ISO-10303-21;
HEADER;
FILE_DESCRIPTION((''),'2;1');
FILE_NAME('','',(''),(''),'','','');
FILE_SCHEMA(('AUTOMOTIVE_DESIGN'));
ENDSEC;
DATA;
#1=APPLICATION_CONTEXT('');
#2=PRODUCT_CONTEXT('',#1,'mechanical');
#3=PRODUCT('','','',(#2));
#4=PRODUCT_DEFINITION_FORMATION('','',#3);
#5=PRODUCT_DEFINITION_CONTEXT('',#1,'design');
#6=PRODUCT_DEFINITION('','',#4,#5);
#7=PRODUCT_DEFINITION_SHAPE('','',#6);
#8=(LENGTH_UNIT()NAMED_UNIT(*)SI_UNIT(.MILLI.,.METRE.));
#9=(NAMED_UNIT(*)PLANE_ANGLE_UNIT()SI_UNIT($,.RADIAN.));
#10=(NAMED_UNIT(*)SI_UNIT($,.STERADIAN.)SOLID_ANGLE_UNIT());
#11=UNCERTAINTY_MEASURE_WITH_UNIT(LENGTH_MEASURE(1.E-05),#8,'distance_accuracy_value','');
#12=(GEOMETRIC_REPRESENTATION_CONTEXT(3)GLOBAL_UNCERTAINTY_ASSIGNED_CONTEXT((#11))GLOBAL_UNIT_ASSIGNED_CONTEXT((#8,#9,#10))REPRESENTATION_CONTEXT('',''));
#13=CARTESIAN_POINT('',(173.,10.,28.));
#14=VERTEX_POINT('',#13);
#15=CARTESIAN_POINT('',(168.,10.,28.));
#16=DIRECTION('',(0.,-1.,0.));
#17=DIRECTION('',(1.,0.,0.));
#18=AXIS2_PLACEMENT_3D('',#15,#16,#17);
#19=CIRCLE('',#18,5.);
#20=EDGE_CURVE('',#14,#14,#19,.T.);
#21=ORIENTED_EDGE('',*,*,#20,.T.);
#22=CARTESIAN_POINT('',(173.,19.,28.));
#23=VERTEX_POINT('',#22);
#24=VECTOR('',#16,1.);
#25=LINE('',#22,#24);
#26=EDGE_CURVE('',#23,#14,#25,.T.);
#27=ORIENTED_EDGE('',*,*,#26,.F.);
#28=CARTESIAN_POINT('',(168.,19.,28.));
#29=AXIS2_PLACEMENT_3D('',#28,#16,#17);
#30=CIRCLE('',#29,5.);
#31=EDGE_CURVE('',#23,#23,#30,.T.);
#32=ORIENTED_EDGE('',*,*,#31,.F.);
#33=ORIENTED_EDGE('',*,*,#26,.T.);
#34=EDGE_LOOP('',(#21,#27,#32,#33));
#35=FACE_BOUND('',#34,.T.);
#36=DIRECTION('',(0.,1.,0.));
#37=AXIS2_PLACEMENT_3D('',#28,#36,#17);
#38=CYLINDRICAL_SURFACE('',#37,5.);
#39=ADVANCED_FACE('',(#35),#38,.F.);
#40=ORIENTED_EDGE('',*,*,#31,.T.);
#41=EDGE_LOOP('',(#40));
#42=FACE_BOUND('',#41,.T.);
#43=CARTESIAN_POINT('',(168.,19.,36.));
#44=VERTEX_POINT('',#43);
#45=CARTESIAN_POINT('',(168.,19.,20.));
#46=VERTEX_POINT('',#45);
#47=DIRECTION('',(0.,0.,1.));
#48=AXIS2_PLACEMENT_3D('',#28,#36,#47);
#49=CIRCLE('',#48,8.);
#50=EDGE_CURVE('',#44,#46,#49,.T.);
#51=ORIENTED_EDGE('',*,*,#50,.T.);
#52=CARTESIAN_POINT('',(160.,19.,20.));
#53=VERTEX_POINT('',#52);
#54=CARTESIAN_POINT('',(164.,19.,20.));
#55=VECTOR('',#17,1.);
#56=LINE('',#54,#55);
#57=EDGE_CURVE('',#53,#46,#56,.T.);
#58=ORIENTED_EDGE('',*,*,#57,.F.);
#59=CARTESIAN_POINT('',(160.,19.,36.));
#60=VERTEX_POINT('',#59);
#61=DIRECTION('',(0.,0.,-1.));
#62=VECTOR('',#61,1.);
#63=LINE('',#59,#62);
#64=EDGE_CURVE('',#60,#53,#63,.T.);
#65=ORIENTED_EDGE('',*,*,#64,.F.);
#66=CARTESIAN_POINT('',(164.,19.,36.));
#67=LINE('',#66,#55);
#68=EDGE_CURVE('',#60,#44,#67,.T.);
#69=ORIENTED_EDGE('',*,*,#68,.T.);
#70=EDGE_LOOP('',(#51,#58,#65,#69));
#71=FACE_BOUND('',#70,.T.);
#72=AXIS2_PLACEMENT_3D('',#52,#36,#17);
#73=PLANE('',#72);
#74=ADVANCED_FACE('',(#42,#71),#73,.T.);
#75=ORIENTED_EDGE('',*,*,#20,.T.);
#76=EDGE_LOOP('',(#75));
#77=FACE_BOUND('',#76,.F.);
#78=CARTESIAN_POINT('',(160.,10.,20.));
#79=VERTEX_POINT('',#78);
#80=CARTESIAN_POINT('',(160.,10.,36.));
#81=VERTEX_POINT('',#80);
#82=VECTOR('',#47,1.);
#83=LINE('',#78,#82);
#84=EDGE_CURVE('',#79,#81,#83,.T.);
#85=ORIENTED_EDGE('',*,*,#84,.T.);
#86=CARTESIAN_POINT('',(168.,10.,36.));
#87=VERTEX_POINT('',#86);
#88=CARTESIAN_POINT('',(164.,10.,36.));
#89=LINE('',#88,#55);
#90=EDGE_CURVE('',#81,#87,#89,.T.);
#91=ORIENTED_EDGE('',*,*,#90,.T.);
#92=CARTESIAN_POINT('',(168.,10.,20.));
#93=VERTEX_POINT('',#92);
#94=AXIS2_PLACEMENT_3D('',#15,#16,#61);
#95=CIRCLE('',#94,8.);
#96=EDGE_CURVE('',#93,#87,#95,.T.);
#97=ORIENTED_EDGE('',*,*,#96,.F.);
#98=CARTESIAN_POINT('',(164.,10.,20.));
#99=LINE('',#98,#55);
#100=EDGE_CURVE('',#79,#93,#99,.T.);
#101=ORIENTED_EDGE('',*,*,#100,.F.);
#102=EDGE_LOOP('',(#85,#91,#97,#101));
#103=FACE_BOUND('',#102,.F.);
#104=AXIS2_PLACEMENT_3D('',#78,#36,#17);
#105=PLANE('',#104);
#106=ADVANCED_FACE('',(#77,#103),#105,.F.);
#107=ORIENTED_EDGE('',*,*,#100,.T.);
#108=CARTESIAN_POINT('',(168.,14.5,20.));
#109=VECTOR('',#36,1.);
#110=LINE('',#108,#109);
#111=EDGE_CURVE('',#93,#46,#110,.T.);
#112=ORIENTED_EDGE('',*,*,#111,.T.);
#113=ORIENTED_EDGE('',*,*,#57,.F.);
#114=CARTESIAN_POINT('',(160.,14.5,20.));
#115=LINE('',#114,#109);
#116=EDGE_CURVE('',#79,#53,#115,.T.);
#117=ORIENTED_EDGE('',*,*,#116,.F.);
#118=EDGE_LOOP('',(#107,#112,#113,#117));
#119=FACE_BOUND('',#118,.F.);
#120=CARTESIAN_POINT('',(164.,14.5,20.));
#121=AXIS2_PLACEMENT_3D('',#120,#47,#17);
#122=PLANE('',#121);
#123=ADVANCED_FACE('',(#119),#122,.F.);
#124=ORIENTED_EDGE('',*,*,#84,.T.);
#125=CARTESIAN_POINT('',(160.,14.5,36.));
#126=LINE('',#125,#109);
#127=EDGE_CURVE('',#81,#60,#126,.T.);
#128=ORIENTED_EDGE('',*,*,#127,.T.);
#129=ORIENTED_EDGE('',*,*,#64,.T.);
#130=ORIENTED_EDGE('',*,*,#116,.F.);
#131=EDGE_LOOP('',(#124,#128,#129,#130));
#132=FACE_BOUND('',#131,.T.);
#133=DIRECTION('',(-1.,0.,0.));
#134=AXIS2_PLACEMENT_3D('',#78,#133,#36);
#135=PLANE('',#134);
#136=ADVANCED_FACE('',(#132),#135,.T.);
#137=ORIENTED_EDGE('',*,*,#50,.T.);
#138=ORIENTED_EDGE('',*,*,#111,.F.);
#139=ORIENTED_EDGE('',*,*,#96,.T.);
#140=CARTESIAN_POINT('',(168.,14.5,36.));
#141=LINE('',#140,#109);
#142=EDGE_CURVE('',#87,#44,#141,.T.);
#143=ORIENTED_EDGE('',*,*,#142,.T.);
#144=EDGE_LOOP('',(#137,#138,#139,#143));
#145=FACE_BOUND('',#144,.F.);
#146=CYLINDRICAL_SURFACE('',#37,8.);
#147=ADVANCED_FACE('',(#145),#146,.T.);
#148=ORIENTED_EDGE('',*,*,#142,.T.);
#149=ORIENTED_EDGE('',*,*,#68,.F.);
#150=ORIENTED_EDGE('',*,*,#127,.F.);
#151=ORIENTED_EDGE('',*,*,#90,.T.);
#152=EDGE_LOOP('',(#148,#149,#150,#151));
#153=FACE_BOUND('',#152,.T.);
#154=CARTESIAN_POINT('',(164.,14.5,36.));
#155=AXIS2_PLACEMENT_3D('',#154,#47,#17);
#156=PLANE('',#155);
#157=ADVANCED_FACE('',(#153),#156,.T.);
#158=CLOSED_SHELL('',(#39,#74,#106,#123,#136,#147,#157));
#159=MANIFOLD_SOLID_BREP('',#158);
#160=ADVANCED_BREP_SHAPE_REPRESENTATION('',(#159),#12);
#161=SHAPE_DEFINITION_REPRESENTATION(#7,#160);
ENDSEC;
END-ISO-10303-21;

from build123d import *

# Parameters (mm, degrees)
CYLINDER022_R          = 5
CYLINDER022_DEPTH      = 9
CYLINDER022_ROLL_ANGLE = 90
BOX030_W               = 8
BOX030_H               = 9
BOX030_DEPTH           = 16
CYLINDER021_R          = 8
CYLINDER021_DEPTH      = 9
CYLINDER021_ROLL_ANGLE = 90


with BuildPart() as zylinder008:
    # Cylinder022 → Cylinder022 (new body)
    with BuildSketch(Plane.XY):
        Circle(CYLINDER022_R)
    extrude(amount=CYLINDER022_DEPTH)


with BuildPart() as zylinder008_1:
    # Cylinder022 roll: moved
    add(zylinder008.part.rotate(Axis((0, 0, 0), (1, 0, 0)), CYLINDER022_ROLL_ANGLE))


with BuildPart() as zylinder008_2:
    # Cylinder022 placement: moved
    add(zylinder008_1.part.moved(Location((8, 9, 8))))


with BuildPart() as w_rfel023:
    # Box030 → Box030 (new body)
    with BuildSketch(Plane.XY):
        with Locations((4, 4.5)):
            Rectangle(BOX030_W, BOX030_H)
    extrude(amount=BOX030_DEPTH)


with BuildPart() as fixier_se001:
    # Cylinder021 → Cylinder021 (new body)
    with BuildSketch(Plane.XY):
        Circle(CYLINDER021_R)
    extrude(amount=CYLINDER021_DEPTH)


with BuildPart() as fixier_se001_1:
    # Cylinder021 roll: moved
    add(fixier_se001.part.rotate(Axis((0, 0, 0), (1, 0, 0)), CYLINDER021_ROLL_ANGLE))


with BuildPart() as fixier_se001_2:
    # Cylinder021 placement: moved
    add(fixier_se001_1.part.moved(Location((8, 9, 8))))

    # Fusion015: union Würfel023
    add(w_rfel023.part)

    # Cut020: cut Zylinder008
    add(zylinder008_2.part, mode=Mode.SUBTRACT)


with BuildPart() as fixier_se001_3:
    # Cut020 placement: moved
    add(fixier_se001_2.part.moved(Location((160, 10, 20))))


solid = fixier_se001_3.part
